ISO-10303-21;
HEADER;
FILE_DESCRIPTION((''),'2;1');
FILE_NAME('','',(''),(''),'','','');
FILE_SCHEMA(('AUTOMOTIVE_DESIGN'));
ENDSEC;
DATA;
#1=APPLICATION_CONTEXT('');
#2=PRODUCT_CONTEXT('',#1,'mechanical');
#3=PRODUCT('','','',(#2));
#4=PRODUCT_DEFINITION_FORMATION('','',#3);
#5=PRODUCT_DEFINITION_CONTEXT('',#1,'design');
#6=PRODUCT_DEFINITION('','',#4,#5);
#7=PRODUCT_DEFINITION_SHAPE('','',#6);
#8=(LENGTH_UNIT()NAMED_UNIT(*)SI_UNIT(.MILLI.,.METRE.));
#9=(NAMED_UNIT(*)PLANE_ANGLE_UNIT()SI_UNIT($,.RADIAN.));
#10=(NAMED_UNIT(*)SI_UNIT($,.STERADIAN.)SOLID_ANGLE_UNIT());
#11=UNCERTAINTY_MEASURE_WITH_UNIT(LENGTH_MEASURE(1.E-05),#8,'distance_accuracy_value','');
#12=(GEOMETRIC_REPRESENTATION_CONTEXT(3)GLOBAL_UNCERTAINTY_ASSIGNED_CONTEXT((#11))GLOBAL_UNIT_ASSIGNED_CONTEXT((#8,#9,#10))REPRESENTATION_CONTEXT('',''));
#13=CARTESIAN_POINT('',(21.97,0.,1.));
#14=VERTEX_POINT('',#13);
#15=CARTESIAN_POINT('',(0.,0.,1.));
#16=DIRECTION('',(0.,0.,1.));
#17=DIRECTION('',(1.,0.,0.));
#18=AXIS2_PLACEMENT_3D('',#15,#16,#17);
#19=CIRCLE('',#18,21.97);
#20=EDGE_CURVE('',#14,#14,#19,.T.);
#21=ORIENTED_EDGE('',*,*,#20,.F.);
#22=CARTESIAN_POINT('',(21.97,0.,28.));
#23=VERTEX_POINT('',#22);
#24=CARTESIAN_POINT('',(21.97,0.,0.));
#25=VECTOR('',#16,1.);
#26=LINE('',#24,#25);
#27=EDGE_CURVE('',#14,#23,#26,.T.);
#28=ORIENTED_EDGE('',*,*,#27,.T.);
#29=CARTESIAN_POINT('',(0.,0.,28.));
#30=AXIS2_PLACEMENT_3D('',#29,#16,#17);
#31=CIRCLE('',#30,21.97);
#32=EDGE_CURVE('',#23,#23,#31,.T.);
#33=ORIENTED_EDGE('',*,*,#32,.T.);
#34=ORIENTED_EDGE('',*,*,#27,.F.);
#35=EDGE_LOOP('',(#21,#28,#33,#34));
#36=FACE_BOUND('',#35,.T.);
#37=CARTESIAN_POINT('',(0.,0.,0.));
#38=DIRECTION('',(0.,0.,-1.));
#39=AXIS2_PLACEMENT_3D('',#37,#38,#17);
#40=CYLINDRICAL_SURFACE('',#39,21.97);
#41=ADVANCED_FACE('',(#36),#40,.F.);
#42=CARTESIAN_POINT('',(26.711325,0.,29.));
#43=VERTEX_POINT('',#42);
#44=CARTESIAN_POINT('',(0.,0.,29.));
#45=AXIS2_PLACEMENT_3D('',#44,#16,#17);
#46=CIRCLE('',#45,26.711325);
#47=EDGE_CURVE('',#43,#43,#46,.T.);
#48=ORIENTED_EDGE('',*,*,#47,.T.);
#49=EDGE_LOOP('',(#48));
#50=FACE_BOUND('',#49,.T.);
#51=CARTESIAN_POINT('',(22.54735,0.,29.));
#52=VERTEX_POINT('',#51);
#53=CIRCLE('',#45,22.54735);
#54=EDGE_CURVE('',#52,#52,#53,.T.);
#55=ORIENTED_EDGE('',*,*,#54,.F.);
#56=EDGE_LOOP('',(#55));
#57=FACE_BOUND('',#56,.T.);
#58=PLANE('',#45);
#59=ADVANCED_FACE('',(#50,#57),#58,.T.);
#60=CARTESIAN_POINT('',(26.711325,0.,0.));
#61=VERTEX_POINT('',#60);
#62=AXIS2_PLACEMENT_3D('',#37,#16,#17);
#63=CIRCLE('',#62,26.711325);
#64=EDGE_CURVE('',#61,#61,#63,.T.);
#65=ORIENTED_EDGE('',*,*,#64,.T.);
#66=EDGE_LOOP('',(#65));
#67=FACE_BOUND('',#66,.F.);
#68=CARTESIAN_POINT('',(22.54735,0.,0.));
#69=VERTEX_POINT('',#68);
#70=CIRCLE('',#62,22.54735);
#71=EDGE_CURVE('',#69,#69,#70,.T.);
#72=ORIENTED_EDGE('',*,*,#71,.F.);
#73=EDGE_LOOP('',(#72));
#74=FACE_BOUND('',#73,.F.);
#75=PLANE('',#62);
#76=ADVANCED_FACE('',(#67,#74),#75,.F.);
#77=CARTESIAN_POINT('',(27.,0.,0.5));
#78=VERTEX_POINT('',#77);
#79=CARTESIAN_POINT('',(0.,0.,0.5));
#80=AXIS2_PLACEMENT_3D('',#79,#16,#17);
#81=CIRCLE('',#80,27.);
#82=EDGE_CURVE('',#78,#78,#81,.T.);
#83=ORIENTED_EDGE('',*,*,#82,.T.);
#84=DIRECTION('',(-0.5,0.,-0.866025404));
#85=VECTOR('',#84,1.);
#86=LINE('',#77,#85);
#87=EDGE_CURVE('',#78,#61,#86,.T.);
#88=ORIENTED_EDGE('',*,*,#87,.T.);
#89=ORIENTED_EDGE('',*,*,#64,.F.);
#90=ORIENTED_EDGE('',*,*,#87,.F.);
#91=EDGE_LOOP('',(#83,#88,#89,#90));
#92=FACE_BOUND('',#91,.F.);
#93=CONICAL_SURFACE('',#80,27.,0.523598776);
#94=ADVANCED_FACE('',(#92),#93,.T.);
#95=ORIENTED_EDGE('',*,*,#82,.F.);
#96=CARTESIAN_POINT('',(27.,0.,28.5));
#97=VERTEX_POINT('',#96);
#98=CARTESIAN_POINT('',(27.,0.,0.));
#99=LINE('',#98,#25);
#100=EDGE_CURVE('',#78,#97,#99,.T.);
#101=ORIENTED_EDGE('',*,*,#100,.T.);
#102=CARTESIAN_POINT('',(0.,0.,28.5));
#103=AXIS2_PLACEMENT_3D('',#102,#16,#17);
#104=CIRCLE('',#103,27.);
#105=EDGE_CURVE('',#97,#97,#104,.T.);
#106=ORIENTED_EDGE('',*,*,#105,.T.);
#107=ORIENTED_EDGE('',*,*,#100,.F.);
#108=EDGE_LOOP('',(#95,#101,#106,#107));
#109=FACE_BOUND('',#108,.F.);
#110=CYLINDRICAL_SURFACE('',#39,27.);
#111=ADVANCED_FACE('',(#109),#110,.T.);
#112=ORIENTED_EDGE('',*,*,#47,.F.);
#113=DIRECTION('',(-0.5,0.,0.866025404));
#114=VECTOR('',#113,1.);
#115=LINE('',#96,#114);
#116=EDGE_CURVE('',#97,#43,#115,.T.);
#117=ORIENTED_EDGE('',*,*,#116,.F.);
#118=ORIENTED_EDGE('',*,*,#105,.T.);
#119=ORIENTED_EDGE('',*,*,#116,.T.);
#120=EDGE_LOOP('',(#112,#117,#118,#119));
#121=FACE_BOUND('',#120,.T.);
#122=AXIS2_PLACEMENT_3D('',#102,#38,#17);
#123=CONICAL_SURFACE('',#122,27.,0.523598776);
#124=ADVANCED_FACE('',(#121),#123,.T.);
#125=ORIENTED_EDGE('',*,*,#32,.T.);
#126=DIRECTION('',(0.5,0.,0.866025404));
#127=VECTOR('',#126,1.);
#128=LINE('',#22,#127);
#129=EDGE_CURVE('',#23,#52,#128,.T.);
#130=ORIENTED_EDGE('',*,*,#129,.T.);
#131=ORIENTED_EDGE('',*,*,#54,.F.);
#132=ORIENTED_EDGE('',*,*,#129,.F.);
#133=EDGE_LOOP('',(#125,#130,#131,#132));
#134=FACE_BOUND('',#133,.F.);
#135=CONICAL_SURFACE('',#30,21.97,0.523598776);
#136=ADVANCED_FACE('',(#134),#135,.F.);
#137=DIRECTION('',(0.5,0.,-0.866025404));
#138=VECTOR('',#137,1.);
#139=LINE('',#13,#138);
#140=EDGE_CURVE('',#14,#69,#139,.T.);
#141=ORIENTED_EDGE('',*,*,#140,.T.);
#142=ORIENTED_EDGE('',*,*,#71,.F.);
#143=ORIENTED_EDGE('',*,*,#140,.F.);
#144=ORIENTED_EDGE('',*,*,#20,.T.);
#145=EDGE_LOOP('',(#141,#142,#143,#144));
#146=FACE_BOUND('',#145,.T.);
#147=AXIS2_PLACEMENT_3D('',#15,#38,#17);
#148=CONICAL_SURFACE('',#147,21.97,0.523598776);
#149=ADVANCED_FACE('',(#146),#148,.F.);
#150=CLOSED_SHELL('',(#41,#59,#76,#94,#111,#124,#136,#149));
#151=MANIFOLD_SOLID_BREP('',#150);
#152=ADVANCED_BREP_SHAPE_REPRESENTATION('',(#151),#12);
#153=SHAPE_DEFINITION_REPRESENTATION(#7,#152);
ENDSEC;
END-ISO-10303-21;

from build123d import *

# Parameters (mm, degrees)
F0_R     = 27
F0_R_2   = 21.97
F1_DEPTH = 29
F2_SIZE2 = 0.5773502692
F2_SIZE  = 1
F3_SIZE2 = 0.2886751346
F3_SIZE  = 0.5


with BuildPart() as f1:
    # F0 (on Top) → F1 (new body)
    with BuildSketch(Plane.XY):
        Circle(F0_R)
        Circle(F0_R_2, mode=Mode.SUBTRACT)
    extrude(amount=F1_DEPTH)

    # F2
    f2_edges = [f1.edges().sort_by_distance(p)[0] for p in [
        (-21.97, 0, 29),
        (-21.97, 0, 0),
    ]]
    f2_side = f1.faces().sort_by_distance((-21.97, 0, 14.5))[0]
    chamfer(f2_edges, length=F2_SIZE, length2=F2_SIZE2, reference=f2_side)

    # F3
    f3_edges = [f1.edges().sort_by_distance(p)[0] for p in [
        (-27, 0, 29),
        (-27, 0, 0),
    ]]
    f3_side = f1.faces().sort_by_distance((-27, 0, 14.5))[0]
    chamfer(f3_edges, length=F3_SIZE, length2=F3_SIZE2, reference=f3_side)


solid = f1.part
